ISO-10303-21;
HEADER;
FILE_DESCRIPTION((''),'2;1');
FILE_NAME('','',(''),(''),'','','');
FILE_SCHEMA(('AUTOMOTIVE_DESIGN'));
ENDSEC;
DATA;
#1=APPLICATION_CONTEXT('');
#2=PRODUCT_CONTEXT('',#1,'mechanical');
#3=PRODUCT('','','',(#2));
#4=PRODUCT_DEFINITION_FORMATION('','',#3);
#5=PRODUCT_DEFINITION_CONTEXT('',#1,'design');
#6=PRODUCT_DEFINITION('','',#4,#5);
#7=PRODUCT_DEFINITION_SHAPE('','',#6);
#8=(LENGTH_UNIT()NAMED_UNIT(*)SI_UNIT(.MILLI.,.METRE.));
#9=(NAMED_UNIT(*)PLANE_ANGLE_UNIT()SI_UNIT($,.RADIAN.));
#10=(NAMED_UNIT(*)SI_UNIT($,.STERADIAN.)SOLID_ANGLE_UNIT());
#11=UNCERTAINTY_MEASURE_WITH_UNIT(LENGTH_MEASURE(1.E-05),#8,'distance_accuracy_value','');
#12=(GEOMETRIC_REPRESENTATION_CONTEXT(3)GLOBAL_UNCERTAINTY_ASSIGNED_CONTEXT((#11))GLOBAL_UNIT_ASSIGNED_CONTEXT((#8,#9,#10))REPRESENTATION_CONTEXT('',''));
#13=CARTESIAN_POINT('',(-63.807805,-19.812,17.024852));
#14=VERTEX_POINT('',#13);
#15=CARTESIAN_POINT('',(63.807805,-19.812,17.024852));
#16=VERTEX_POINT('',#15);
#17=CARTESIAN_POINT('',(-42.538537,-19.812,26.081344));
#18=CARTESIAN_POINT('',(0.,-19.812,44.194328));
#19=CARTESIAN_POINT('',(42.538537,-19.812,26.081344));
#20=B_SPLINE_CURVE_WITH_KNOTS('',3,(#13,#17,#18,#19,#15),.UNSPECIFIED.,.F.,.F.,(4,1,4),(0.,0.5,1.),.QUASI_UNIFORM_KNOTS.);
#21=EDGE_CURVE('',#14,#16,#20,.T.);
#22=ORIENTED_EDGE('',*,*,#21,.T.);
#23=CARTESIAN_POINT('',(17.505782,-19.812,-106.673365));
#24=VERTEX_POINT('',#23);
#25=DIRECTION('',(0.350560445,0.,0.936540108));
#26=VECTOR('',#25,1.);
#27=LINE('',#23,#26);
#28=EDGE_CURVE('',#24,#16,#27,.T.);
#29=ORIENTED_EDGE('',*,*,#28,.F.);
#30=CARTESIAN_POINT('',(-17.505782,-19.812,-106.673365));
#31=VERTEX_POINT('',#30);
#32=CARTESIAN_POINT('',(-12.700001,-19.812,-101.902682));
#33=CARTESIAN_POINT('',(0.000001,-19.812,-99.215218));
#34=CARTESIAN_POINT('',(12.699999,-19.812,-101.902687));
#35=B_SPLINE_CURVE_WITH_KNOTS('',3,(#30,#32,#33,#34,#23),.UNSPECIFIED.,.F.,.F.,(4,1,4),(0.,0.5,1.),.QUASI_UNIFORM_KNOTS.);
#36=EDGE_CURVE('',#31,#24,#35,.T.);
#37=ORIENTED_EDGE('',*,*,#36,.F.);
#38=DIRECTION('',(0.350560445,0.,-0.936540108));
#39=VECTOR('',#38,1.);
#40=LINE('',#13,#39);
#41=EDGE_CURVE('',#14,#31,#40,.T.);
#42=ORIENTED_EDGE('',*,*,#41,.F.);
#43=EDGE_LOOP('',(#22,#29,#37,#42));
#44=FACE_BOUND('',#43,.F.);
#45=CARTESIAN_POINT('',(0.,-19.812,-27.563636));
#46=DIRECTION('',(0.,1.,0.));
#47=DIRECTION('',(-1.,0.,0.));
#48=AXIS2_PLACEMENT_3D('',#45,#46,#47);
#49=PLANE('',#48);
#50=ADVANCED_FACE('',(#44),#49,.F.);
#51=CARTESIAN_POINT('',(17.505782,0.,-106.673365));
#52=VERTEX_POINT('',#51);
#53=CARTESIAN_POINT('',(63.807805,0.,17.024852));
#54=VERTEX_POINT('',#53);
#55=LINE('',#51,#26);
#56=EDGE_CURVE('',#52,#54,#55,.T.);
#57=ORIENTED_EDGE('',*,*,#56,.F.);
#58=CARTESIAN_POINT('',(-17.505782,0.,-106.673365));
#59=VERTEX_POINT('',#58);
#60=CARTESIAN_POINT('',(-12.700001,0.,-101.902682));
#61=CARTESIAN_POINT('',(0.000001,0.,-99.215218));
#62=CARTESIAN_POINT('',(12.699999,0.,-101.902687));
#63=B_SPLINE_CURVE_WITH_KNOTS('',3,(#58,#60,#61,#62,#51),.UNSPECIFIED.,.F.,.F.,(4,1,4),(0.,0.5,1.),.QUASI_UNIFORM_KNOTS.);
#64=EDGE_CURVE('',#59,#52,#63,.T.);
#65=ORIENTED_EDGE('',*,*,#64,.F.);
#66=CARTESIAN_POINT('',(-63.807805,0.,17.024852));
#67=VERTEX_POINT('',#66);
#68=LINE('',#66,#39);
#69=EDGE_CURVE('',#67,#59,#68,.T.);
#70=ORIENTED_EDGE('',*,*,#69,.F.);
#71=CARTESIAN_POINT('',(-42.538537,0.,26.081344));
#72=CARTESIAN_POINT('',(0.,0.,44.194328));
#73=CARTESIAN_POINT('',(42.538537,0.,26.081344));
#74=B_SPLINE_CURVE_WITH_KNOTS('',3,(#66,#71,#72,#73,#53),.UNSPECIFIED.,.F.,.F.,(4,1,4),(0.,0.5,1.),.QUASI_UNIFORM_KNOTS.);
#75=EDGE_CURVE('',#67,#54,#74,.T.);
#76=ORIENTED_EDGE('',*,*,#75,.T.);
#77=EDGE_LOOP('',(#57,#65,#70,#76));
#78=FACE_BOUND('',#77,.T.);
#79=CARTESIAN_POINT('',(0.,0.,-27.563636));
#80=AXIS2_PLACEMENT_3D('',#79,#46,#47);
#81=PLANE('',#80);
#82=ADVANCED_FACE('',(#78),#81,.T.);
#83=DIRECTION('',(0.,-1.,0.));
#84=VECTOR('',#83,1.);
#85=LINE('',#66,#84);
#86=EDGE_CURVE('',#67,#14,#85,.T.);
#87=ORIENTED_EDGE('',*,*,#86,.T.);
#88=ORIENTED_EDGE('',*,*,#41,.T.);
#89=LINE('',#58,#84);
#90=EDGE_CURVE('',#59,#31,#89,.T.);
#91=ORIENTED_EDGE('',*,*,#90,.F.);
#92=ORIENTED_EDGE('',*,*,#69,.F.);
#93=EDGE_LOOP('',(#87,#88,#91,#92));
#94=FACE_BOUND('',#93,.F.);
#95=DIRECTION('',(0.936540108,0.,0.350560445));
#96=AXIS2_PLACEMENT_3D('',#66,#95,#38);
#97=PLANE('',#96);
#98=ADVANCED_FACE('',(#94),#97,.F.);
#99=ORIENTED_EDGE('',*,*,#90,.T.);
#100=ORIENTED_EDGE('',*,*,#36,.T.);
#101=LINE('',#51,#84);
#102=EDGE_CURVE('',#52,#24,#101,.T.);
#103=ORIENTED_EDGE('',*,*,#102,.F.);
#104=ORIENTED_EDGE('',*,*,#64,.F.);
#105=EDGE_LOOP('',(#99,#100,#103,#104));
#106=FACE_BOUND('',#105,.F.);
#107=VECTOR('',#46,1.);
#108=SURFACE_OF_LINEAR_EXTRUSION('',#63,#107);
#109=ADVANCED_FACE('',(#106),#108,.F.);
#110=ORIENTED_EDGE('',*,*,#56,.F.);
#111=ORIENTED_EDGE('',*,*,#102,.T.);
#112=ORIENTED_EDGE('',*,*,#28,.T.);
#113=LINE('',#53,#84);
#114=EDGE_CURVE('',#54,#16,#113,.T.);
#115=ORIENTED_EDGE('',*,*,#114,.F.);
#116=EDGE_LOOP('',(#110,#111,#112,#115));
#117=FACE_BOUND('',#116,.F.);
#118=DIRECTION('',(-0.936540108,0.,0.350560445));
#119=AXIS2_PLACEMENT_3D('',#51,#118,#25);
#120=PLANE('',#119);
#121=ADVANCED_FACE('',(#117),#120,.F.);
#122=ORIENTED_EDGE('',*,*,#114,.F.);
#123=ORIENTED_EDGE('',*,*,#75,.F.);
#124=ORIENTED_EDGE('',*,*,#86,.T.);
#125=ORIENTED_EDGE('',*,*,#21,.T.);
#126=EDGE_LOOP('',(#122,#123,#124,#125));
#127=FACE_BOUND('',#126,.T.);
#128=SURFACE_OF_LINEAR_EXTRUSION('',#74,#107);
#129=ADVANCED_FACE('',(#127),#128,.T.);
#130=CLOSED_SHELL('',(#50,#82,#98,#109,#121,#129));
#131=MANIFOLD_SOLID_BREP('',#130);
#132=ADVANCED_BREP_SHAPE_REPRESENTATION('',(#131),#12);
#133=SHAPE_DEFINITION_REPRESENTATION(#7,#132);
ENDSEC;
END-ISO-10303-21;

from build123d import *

# Parameters (mm, degrees)
F1_DEPTH = 19.812


with BuildPart() as f1:
    # F0 (on Front) → F1 (new body)
    with BuildSketch(Plane.XZ):
        with BuildLine():
            add(Edge.make_bspline(
                [(-63.8078054561, 17.0248520457), (-42.5385370485, 26.0813439586), (0, 44.1943280626), (42.5385370485, 26.0813439586), (63.8078054561, 17.0248520457)],
                knots=[0, 0, 0, 0, 0.5, 1, 1, 1, 1], degree=3))
            Line((-63.8078054561, 17.0248520457), (-17.5057819184, -106.673365469))
            add(Edge.make_bspline(
                [(-17.5057819184, -106.673365469), (-12.7000012133, -101.9026819764), (1.2133e-06, -99.2152177412), (12.6999987867, -101.9026867348), (17.5057819184, -106.673365469)],
                knots=[0, 0, 0, 0, 0.5, 1, 1, 1, 1], degree=3))
            Line((17.5057819184, -106.673365469), (63.8078054561, 17.0248520457))
        make_face()
    extrude(amount=F1_DEPTH)


solid = f1.part
